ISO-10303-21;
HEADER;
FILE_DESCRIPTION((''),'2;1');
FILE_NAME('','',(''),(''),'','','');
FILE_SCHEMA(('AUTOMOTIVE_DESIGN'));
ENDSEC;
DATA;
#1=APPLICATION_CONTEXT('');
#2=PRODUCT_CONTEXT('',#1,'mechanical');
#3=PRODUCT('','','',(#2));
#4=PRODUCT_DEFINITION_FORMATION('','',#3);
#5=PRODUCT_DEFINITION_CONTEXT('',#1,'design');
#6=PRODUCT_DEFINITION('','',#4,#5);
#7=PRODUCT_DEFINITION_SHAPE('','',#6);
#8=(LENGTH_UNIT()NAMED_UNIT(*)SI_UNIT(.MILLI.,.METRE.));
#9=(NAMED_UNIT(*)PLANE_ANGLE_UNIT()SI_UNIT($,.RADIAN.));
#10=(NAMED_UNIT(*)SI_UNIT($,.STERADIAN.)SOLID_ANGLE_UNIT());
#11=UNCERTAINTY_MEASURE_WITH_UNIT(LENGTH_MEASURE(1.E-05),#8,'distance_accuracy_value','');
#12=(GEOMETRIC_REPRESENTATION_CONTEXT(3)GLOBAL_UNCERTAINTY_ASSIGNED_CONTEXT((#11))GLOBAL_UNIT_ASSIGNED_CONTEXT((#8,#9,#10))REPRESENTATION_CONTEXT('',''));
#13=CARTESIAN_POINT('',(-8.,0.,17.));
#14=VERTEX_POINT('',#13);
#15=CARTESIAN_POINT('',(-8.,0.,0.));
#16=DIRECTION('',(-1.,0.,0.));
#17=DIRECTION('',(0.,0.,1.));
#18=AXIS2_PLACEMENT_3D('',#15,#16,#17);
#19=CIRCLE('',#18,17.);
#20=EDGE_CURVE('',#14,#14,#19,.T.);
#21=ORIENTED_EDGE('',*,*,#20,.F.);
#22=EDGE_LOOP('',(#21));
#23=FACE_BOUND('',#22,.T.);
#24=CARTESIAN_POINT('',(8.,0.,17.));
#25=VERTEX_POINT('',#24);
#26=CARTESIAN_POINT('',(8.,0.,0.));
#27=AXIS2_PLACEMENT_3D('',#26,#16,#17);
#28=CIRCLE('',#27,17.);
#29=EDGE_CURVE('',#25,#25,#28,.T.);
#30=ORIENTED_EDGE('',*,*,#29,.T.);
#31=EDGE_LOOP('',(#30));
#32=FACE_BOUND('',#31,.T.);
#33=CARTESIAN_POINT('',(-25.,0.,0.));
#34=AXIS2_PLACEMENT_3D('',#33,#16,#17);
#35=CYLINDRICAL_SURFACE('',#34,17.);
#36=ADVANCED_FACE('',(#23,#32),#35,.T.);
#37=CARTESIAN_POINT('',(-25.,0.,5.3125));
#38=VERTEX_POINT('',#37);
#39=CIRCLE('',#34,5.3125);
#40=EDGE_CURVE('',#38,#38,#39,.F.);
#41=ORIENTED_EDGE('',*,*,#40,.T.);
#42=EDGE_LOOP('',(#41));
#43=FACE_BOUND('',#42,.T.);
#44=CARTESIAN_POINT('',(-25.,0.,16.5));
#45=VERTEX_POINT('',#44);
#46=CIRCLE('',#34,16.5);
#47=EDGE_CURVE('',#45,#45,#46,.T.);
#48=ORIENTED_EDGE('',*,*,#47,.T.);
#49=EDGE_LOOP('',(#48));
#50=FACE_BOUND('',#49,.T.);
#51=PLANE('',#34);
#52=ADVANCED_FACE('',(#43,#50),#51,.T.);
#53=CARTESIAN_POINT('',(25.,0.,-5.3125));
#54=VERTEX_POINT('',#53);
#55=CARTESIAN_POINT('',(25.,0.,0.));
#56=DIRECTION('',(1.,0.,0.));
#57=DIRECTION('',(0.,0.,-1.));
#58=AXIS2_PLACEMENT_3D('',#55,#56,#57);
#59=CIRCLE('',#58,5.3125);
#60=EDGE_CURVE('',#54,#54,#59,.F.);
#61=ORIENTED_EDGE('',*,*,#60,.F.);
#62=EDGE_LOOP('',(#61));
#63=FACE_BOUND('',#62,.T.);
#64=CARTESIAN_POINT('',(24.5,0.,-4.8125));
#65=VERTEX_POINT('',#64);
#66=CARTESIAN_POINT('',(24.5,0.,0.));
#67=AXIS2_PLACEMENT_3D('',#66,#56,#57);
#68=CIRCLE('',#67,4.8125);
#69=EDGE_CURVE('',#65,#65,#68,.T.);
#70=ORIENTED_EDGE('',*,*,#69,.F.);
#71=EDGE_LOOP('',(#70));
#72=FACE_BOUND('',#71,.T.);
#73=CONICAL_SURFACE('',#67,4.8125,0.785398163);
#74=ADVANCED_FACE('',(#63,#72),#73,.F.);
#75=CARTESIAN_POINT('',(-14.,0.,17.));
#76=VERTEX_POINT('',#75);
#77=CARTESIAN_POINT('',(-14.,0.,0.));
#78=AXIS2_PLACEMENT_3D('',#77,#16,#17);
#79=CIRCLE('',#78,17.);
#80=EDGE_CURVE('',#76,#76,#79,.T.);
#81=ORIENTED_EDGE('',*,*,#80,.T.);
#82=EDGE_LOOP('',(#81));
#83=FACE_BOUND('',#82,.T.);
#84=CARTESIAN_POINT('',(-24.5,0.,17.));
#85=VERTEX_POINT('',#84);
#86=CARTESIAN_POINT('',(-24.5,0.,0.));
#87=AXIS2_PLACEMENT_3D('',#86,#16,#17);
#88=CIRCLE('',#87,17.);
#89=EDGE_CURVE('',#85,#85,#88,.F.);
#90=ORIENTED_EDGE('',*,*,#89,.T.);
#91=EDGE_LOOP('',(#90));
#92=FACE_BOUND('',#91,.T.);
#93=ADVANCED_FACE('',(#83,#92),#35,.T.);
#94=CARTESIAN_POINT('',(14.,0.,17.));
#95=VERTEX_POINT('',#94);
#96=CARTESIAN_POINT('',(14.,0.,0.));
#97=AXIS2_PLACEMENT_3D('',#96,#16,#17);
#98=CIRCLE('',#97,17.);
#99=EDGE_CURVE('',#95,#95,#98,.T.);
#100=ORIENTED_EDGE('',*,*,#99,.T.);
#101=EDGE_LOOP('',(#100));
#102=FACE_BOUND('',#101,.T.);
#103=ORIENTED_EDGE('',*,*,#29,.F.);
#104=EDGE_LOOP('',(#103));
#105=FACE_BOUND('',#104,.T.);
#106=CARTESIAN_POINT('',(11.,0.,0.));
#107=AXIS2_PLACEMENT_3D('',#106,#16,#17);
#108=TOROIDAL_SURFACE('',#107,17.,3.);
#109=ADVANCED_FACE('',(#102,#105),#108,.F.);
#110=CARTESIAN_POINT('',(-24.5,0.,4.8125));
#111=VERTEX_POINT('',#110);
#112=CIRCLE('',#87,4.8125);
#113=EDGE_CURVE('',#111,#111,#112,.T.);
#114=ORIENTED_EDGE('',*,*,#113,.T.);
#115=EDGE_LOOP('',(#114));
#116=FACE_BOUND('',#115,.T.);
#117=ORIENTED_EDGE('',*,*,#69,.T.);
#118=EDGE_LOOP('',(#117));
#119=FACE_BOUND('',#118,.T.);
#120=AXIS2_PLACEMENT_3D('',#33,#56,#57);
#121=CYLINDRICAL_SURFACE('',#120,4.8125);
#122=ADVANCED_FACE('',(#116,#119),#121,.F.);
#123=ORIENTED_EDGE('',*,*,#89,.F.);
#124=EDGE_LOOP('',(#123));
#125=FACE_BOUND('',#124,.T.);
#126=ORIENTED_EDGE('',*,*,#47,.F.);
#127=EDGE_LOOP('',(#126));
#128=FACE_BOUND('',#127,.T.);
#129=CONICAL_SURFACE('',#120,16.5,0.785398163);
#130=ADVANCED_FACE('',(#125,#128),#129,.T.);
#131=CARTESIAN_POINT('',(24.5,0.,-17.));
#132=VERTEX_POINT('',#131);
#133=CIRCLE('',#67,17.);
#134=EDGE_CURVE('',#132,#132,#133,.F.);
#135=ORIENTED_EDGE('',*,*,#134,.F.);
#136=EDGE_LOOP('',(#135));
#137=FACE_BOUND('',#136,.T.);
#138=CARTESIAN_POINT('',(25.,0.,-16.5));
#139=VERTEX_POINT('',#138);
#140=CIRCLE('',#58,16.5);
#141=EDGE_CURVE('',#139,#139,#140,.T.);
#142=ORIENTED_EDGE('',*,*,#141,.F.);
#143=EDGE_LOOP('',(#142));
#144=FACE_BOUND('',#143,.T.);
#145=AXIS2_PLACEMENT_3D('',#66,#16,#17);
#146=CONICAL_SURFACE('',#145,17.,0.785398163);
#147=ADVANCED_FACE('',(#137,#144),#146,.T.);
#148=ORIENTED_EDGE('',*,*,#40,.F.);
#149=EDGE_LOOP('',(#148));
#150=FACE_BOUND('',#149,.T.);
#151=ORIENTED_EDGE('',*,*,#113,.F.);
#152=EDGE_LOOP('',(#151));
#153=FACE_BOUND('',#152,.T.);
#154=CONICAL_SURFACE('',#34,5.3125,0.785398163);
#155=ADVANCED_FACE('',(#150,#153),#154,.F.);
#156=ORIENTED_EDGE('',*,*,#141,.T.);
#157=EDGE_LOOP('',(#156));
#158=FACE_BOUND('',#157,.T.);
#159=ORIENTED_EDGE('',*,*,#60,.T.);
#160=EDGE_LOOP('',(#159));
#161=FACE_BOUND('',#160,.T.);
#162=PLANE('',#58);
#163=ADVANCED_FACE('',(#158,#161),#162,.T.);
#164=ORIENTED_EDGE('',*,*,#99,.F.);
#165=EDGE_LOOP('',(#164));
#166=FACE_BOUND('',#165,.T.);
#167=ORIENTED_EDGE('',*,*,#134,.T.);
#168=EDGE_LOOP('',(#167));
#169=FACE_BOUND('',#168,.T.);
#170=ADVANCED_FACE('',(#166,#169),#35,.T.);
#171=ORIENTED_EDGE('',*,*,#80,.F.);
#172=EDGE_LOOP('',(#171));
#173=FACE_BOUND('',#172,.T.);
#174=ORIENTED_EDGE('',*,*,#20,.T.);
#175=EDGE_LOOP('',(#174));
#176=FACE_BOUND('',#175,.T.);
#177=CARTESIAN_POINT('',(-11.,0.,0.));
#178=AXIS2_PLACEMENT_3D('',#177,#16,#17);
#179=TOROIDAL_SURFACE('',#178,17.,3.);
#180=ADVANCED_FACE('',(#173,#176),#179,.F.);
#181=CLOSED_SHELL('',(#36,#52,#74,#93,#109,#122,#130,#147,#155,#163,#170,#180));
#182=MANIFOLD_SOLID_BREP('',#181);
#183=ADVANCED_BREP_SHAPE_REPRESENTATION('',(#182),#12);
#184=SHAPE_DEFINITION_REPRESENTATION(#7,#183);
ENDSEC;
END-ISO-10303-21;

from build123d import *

# Parameters (mm, degrees)
SKETCH3_R          = 4.8125
CUT_EXTRUDE2_DEPTH = 51
CHAMFER1_SIZE      = 0.5


with BuildPart() as part:
    # Sketch1 → Revolve1 (revolve)
    with BuildSketch(Plane.XY):
        with BuildLine():
            Line((-25, 0), (25, 0))
            Line((25, 0), (25, -17))
            Line((25, -17), (14, -17))
            ThreePointArc((14, -17), (11, -14), (8, -17))
            Line((8, -17), (-8, -17))
            ThreePointArc((-8, -17), (-11, -14), (-14, -17))
            Line((-14, -17), (-25, -17))
            Line((-25, -17), (-25, 0))
        make_face()
    revolve(axis=Axis((-25, 0, 0), (1, 0, 0)))

    # Sketch3 → Cut-Extrude2 (cut, through all)
    with BuildSketch(Plane(origin=(25, 0, 0), x_dir=(0, 0, -1), z_dir=(1, 0, 0))):
        Circle(SKETCH3_R)
    extrude(amount=-CUT_EXTRUDE2_DEPTH, mode=Mode.SUBTRACT)

    # Chamfer1
    chamfer1_edges = [part.edges().sort_by_distance(p)[0] for p in [
        (25, 17, 0),
        (-25, 0, 4.8125),
        (25, 0, 4.8125),
        (-25, 17, 0),
    ]]
    chamfer(chamfer1_edges, length=CHAMFER1_SIZE)


solid = part.part
